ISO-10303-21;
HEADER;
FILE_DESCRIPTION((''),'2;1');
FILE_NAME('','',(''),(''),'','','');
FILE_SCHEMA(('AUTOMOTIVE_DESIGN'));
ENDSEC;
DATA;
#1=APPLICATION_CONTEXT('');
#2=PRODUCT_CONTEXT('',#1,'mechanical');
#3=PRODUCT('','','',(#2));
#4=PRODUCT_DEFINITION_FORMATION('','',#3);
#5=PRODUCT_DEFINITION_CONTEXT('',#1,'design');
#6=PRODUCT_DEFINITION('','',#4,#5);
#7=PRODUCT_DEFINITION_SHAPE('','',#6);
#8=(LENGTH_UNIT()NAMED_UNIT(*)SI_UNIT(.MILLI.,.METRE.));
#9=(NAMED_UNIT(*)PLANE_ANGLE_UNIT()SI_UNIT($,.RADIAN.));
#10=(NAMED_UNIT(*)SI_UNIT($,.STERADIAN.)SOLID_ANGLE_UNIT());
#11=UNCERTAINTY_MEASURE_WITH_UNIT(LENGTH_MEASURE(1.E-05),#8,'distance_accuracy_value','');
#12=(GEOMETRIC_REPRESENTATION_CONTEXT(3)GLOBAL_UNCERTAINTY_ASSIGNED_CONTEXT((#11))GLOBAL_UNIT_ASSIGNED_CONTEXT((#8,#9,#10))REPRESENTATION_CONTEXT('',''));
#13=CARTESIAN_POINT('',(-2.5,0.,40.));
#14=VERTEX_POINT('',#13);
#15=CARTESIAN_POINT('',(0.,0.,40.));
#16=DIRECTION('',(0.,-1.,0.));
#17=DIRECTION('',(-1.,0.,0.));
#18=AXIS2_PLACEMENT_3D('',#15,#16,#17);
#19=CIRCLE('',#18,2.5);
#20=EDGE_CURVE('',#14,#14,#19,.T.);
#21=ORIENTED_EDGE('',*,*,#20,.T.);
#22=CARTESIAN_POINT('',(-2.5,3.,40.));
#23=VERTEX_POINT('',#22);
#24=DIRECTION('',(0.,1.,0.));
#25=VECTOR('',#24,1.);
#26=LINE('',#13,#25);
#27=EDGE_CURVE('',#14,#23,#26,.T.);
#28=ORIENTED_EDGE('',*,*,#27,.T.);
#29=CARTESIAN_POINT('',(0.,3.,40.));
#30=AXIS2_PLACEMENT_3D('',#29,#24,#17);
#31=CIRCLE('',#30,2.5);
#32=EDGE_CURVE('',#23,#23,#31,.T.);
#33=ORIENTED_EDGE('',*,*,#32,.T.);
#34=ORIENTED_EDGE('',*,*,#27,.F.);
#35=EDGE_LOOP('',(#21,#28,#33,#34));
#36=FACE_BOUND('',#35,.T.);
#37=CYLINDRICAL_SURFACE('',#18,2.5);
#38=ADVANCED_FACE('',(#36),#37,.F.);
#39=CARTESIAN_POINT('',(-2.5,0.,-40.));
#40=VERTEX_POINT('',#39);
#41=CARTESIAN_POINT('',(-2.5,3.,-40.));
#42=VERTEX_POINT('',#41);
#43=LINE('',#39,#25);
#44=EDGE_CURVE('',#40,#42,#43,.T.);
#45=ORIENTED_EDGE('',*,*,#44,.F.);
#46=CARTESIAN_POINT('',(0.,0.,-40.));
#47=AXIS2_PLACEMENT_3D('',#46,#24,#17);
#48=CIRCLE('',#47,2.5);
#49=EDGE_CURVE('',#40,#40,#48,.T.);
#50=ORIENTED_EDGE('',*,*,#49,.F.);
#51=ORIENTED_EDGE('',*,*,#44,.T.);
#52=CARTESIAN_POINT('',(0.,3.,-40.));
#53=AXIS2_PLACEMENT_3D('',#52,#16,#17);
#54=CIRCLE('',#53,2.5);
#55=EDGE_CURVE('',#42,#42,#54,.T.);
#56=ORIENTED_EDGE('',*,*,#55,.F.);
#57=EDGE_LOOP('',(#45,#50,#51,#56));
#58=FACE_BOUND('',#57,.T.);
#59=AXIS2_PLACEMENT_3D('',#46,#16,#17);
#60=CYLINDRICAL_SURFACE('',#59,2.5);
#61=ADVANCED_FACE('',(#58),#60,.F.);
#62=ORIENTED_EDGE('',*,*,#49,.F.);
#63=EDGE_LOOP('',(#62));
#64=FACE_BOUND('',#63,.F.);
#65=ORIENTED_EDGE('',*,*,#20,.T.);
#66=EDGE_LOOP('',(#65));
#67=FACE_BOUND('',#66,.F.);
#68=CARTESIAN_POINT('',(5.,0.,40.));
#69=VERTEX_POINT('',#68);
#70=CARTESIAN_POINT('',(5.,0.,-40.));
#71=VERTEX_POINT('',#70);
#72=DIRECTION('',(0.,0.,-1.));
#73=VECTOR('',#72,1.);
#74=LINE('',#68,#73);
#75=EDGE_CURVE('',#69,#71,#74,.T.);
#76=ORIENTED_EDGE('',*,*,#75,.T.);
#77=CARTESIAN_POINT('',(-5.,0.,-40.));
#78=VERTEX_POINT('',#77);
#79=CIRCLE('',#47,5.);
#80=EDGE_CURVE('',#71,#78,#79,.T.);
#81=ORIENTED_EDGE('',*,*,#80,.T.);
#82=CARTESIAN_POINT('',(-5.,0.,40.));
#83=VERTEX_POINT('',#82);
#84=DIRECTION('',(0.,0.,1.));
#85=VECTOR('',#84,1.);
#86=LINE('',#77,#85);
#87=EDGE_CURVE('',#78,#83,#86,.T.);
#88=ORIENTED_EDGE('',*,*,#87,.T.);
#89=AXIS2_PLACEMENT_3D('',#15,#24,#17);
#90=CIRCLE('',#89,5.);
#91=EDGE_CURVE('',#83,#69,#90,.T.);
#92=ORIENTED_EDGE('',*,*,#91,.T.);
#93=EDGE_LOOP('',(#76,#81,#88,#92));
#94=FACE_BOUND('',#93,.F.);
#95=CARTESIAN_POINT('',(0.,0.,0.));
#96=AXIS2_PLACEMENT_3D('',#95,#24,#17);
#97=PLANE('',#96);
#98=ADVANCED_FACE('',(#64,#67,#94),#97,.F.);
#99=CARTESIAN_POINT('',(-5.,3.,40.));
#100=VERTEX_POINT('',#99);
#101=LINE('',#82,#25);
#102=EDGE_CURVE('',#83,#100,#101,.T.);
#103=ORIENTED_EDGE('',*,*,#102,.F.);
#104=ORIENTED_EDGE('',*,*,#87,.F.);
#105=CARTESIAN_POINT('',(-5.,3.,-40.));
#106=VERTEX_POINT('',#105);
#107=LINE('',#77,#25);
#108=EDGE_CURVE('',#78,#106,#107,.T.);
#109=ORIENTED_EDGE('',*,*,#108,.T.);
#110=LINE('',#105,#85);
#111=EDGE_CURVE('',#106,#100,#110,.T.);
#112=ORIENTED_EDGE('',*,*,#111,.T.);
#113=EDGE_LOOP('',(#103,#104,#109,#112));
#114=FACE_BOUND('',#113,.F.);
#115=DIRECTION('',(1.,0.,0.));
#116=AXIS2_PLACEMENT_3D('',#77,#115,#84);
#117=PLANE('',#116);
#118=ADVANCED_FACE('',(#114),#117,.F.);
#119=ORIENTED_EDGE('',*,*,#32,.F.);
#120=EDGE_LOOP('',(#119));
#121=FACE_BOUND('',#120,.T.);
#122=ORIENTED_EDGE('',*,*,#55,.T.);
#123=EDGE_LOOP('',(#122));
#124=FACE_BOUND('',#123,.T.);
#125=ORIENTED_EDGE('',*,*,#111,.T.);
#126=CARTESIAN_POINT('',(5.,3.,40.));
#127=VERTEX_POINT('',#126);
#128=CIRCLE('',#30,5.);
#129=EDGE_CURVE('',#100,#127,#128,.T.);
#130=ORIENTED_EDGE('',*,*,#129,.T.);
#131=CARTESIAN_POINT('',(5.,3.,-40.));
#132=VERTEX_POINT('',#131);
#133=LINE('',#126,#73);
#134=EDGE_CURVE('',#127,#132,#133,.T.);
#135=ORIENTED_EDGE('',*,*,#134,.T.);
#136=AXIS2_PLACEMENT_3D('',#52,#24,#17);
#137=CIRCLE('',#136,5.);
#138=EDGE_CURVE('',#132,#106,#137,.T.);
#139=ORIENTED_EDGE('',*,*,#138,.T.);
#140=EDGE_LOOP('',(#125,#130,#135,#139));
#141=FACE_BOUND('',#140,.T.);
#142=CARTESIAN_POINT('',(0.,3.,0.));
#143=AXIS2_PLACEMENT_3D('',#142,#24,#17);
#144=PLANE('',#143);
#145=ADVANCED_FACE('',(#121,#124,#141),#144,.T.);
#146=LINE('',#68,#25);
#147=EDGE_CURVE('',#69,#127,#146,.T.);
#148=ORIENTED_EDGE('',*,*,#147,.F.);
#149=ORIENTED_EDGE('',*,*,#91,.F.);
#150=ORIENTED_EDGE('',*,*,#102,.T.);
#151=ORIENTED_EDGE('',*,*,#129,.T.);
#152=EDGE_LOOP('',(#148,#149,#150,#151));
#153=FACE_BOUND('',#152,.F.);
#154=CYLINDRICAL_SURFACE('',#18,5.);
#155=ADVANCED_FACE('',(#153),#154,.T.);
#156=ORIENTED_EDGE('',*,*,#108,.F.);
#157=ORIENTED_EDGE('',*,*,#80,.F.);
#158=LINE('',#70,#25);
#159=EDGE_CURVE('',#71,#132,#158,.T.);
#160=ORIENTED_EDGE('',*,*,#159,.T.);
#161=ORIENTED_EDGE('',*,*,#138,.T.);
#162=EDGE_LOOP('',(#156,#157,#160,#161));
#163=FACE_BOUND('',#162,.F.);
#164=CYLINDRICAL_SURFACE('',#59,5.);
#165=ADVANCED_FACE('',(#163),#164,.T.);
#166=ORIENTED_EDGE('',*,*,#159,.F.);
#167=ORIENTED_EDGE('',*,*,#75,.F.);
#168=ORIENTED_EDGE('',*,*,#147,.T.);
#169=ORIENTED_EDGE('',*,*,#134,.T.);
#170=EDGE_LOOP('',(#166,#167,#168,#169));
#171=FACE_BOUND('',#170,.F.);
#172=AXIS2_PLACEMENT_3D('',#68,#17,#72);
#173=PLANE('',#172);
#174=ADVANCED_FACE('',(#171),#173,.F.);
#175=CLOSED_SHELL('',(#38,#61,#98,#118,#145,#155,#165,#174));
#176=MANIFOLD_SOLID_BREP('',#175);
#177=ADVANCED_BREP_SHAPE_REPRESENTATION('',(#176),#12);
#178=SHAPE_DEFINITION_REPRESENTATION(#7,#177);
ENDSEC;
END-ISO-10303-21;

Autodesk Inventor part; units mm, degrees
ref_plane "YZ Plane" through (0, 0, 0) normal (1, 0, 0) x (0, 1, 0)
ref_plane "XZ Plane" through (0, 0, 0) normal (0, 1, 0) x (-1, 0, 0)
ref_plane "XY Plane" through (0, 0, 0) normal (0, 0, 1) x (1, 0, 0)
sketch "Sketch1" plane through (0, 0, 0) normal (0, 1, 0) x (-1, 0, 0)
  line L0 (5, 40) -> (-5, 40)
  line L1 (-5, 40) -> (-5, -40)
  line L2 (-5, -40) -> (5, -40)
  line L3 (5, -40) -> (5, 40)
  line L4 (5, 40) -> (-5, -40) construction
  line L5 (-5, 40) -> (5, -40) construction
  circle A0 centre (0, 40) radius 5
  circle A1 centre (0, -40) radius 5
  circle A2 centre (0, 40) radius 2.5
  circle A3 centre (0, -40) radius 2.5
  point P0 (0, 0)
  point P1 (5, 40)
  point P2 (-5, 40)
  point P3 (5, -40)
  dimension "d0" = 80
  dimension "d1" = 10
  dimension "d2" = 5
  dimension "d3" = 5
extrude "Extrusion1" add sketch "Sketch1" along normal blind 3 contours A0 L0 A2 | L0 A2 A0 | L3 A1 L1 A0 | A1 L2 A3 | L2 A3 A1
properties part number "FP V2 Spring beam Short"
